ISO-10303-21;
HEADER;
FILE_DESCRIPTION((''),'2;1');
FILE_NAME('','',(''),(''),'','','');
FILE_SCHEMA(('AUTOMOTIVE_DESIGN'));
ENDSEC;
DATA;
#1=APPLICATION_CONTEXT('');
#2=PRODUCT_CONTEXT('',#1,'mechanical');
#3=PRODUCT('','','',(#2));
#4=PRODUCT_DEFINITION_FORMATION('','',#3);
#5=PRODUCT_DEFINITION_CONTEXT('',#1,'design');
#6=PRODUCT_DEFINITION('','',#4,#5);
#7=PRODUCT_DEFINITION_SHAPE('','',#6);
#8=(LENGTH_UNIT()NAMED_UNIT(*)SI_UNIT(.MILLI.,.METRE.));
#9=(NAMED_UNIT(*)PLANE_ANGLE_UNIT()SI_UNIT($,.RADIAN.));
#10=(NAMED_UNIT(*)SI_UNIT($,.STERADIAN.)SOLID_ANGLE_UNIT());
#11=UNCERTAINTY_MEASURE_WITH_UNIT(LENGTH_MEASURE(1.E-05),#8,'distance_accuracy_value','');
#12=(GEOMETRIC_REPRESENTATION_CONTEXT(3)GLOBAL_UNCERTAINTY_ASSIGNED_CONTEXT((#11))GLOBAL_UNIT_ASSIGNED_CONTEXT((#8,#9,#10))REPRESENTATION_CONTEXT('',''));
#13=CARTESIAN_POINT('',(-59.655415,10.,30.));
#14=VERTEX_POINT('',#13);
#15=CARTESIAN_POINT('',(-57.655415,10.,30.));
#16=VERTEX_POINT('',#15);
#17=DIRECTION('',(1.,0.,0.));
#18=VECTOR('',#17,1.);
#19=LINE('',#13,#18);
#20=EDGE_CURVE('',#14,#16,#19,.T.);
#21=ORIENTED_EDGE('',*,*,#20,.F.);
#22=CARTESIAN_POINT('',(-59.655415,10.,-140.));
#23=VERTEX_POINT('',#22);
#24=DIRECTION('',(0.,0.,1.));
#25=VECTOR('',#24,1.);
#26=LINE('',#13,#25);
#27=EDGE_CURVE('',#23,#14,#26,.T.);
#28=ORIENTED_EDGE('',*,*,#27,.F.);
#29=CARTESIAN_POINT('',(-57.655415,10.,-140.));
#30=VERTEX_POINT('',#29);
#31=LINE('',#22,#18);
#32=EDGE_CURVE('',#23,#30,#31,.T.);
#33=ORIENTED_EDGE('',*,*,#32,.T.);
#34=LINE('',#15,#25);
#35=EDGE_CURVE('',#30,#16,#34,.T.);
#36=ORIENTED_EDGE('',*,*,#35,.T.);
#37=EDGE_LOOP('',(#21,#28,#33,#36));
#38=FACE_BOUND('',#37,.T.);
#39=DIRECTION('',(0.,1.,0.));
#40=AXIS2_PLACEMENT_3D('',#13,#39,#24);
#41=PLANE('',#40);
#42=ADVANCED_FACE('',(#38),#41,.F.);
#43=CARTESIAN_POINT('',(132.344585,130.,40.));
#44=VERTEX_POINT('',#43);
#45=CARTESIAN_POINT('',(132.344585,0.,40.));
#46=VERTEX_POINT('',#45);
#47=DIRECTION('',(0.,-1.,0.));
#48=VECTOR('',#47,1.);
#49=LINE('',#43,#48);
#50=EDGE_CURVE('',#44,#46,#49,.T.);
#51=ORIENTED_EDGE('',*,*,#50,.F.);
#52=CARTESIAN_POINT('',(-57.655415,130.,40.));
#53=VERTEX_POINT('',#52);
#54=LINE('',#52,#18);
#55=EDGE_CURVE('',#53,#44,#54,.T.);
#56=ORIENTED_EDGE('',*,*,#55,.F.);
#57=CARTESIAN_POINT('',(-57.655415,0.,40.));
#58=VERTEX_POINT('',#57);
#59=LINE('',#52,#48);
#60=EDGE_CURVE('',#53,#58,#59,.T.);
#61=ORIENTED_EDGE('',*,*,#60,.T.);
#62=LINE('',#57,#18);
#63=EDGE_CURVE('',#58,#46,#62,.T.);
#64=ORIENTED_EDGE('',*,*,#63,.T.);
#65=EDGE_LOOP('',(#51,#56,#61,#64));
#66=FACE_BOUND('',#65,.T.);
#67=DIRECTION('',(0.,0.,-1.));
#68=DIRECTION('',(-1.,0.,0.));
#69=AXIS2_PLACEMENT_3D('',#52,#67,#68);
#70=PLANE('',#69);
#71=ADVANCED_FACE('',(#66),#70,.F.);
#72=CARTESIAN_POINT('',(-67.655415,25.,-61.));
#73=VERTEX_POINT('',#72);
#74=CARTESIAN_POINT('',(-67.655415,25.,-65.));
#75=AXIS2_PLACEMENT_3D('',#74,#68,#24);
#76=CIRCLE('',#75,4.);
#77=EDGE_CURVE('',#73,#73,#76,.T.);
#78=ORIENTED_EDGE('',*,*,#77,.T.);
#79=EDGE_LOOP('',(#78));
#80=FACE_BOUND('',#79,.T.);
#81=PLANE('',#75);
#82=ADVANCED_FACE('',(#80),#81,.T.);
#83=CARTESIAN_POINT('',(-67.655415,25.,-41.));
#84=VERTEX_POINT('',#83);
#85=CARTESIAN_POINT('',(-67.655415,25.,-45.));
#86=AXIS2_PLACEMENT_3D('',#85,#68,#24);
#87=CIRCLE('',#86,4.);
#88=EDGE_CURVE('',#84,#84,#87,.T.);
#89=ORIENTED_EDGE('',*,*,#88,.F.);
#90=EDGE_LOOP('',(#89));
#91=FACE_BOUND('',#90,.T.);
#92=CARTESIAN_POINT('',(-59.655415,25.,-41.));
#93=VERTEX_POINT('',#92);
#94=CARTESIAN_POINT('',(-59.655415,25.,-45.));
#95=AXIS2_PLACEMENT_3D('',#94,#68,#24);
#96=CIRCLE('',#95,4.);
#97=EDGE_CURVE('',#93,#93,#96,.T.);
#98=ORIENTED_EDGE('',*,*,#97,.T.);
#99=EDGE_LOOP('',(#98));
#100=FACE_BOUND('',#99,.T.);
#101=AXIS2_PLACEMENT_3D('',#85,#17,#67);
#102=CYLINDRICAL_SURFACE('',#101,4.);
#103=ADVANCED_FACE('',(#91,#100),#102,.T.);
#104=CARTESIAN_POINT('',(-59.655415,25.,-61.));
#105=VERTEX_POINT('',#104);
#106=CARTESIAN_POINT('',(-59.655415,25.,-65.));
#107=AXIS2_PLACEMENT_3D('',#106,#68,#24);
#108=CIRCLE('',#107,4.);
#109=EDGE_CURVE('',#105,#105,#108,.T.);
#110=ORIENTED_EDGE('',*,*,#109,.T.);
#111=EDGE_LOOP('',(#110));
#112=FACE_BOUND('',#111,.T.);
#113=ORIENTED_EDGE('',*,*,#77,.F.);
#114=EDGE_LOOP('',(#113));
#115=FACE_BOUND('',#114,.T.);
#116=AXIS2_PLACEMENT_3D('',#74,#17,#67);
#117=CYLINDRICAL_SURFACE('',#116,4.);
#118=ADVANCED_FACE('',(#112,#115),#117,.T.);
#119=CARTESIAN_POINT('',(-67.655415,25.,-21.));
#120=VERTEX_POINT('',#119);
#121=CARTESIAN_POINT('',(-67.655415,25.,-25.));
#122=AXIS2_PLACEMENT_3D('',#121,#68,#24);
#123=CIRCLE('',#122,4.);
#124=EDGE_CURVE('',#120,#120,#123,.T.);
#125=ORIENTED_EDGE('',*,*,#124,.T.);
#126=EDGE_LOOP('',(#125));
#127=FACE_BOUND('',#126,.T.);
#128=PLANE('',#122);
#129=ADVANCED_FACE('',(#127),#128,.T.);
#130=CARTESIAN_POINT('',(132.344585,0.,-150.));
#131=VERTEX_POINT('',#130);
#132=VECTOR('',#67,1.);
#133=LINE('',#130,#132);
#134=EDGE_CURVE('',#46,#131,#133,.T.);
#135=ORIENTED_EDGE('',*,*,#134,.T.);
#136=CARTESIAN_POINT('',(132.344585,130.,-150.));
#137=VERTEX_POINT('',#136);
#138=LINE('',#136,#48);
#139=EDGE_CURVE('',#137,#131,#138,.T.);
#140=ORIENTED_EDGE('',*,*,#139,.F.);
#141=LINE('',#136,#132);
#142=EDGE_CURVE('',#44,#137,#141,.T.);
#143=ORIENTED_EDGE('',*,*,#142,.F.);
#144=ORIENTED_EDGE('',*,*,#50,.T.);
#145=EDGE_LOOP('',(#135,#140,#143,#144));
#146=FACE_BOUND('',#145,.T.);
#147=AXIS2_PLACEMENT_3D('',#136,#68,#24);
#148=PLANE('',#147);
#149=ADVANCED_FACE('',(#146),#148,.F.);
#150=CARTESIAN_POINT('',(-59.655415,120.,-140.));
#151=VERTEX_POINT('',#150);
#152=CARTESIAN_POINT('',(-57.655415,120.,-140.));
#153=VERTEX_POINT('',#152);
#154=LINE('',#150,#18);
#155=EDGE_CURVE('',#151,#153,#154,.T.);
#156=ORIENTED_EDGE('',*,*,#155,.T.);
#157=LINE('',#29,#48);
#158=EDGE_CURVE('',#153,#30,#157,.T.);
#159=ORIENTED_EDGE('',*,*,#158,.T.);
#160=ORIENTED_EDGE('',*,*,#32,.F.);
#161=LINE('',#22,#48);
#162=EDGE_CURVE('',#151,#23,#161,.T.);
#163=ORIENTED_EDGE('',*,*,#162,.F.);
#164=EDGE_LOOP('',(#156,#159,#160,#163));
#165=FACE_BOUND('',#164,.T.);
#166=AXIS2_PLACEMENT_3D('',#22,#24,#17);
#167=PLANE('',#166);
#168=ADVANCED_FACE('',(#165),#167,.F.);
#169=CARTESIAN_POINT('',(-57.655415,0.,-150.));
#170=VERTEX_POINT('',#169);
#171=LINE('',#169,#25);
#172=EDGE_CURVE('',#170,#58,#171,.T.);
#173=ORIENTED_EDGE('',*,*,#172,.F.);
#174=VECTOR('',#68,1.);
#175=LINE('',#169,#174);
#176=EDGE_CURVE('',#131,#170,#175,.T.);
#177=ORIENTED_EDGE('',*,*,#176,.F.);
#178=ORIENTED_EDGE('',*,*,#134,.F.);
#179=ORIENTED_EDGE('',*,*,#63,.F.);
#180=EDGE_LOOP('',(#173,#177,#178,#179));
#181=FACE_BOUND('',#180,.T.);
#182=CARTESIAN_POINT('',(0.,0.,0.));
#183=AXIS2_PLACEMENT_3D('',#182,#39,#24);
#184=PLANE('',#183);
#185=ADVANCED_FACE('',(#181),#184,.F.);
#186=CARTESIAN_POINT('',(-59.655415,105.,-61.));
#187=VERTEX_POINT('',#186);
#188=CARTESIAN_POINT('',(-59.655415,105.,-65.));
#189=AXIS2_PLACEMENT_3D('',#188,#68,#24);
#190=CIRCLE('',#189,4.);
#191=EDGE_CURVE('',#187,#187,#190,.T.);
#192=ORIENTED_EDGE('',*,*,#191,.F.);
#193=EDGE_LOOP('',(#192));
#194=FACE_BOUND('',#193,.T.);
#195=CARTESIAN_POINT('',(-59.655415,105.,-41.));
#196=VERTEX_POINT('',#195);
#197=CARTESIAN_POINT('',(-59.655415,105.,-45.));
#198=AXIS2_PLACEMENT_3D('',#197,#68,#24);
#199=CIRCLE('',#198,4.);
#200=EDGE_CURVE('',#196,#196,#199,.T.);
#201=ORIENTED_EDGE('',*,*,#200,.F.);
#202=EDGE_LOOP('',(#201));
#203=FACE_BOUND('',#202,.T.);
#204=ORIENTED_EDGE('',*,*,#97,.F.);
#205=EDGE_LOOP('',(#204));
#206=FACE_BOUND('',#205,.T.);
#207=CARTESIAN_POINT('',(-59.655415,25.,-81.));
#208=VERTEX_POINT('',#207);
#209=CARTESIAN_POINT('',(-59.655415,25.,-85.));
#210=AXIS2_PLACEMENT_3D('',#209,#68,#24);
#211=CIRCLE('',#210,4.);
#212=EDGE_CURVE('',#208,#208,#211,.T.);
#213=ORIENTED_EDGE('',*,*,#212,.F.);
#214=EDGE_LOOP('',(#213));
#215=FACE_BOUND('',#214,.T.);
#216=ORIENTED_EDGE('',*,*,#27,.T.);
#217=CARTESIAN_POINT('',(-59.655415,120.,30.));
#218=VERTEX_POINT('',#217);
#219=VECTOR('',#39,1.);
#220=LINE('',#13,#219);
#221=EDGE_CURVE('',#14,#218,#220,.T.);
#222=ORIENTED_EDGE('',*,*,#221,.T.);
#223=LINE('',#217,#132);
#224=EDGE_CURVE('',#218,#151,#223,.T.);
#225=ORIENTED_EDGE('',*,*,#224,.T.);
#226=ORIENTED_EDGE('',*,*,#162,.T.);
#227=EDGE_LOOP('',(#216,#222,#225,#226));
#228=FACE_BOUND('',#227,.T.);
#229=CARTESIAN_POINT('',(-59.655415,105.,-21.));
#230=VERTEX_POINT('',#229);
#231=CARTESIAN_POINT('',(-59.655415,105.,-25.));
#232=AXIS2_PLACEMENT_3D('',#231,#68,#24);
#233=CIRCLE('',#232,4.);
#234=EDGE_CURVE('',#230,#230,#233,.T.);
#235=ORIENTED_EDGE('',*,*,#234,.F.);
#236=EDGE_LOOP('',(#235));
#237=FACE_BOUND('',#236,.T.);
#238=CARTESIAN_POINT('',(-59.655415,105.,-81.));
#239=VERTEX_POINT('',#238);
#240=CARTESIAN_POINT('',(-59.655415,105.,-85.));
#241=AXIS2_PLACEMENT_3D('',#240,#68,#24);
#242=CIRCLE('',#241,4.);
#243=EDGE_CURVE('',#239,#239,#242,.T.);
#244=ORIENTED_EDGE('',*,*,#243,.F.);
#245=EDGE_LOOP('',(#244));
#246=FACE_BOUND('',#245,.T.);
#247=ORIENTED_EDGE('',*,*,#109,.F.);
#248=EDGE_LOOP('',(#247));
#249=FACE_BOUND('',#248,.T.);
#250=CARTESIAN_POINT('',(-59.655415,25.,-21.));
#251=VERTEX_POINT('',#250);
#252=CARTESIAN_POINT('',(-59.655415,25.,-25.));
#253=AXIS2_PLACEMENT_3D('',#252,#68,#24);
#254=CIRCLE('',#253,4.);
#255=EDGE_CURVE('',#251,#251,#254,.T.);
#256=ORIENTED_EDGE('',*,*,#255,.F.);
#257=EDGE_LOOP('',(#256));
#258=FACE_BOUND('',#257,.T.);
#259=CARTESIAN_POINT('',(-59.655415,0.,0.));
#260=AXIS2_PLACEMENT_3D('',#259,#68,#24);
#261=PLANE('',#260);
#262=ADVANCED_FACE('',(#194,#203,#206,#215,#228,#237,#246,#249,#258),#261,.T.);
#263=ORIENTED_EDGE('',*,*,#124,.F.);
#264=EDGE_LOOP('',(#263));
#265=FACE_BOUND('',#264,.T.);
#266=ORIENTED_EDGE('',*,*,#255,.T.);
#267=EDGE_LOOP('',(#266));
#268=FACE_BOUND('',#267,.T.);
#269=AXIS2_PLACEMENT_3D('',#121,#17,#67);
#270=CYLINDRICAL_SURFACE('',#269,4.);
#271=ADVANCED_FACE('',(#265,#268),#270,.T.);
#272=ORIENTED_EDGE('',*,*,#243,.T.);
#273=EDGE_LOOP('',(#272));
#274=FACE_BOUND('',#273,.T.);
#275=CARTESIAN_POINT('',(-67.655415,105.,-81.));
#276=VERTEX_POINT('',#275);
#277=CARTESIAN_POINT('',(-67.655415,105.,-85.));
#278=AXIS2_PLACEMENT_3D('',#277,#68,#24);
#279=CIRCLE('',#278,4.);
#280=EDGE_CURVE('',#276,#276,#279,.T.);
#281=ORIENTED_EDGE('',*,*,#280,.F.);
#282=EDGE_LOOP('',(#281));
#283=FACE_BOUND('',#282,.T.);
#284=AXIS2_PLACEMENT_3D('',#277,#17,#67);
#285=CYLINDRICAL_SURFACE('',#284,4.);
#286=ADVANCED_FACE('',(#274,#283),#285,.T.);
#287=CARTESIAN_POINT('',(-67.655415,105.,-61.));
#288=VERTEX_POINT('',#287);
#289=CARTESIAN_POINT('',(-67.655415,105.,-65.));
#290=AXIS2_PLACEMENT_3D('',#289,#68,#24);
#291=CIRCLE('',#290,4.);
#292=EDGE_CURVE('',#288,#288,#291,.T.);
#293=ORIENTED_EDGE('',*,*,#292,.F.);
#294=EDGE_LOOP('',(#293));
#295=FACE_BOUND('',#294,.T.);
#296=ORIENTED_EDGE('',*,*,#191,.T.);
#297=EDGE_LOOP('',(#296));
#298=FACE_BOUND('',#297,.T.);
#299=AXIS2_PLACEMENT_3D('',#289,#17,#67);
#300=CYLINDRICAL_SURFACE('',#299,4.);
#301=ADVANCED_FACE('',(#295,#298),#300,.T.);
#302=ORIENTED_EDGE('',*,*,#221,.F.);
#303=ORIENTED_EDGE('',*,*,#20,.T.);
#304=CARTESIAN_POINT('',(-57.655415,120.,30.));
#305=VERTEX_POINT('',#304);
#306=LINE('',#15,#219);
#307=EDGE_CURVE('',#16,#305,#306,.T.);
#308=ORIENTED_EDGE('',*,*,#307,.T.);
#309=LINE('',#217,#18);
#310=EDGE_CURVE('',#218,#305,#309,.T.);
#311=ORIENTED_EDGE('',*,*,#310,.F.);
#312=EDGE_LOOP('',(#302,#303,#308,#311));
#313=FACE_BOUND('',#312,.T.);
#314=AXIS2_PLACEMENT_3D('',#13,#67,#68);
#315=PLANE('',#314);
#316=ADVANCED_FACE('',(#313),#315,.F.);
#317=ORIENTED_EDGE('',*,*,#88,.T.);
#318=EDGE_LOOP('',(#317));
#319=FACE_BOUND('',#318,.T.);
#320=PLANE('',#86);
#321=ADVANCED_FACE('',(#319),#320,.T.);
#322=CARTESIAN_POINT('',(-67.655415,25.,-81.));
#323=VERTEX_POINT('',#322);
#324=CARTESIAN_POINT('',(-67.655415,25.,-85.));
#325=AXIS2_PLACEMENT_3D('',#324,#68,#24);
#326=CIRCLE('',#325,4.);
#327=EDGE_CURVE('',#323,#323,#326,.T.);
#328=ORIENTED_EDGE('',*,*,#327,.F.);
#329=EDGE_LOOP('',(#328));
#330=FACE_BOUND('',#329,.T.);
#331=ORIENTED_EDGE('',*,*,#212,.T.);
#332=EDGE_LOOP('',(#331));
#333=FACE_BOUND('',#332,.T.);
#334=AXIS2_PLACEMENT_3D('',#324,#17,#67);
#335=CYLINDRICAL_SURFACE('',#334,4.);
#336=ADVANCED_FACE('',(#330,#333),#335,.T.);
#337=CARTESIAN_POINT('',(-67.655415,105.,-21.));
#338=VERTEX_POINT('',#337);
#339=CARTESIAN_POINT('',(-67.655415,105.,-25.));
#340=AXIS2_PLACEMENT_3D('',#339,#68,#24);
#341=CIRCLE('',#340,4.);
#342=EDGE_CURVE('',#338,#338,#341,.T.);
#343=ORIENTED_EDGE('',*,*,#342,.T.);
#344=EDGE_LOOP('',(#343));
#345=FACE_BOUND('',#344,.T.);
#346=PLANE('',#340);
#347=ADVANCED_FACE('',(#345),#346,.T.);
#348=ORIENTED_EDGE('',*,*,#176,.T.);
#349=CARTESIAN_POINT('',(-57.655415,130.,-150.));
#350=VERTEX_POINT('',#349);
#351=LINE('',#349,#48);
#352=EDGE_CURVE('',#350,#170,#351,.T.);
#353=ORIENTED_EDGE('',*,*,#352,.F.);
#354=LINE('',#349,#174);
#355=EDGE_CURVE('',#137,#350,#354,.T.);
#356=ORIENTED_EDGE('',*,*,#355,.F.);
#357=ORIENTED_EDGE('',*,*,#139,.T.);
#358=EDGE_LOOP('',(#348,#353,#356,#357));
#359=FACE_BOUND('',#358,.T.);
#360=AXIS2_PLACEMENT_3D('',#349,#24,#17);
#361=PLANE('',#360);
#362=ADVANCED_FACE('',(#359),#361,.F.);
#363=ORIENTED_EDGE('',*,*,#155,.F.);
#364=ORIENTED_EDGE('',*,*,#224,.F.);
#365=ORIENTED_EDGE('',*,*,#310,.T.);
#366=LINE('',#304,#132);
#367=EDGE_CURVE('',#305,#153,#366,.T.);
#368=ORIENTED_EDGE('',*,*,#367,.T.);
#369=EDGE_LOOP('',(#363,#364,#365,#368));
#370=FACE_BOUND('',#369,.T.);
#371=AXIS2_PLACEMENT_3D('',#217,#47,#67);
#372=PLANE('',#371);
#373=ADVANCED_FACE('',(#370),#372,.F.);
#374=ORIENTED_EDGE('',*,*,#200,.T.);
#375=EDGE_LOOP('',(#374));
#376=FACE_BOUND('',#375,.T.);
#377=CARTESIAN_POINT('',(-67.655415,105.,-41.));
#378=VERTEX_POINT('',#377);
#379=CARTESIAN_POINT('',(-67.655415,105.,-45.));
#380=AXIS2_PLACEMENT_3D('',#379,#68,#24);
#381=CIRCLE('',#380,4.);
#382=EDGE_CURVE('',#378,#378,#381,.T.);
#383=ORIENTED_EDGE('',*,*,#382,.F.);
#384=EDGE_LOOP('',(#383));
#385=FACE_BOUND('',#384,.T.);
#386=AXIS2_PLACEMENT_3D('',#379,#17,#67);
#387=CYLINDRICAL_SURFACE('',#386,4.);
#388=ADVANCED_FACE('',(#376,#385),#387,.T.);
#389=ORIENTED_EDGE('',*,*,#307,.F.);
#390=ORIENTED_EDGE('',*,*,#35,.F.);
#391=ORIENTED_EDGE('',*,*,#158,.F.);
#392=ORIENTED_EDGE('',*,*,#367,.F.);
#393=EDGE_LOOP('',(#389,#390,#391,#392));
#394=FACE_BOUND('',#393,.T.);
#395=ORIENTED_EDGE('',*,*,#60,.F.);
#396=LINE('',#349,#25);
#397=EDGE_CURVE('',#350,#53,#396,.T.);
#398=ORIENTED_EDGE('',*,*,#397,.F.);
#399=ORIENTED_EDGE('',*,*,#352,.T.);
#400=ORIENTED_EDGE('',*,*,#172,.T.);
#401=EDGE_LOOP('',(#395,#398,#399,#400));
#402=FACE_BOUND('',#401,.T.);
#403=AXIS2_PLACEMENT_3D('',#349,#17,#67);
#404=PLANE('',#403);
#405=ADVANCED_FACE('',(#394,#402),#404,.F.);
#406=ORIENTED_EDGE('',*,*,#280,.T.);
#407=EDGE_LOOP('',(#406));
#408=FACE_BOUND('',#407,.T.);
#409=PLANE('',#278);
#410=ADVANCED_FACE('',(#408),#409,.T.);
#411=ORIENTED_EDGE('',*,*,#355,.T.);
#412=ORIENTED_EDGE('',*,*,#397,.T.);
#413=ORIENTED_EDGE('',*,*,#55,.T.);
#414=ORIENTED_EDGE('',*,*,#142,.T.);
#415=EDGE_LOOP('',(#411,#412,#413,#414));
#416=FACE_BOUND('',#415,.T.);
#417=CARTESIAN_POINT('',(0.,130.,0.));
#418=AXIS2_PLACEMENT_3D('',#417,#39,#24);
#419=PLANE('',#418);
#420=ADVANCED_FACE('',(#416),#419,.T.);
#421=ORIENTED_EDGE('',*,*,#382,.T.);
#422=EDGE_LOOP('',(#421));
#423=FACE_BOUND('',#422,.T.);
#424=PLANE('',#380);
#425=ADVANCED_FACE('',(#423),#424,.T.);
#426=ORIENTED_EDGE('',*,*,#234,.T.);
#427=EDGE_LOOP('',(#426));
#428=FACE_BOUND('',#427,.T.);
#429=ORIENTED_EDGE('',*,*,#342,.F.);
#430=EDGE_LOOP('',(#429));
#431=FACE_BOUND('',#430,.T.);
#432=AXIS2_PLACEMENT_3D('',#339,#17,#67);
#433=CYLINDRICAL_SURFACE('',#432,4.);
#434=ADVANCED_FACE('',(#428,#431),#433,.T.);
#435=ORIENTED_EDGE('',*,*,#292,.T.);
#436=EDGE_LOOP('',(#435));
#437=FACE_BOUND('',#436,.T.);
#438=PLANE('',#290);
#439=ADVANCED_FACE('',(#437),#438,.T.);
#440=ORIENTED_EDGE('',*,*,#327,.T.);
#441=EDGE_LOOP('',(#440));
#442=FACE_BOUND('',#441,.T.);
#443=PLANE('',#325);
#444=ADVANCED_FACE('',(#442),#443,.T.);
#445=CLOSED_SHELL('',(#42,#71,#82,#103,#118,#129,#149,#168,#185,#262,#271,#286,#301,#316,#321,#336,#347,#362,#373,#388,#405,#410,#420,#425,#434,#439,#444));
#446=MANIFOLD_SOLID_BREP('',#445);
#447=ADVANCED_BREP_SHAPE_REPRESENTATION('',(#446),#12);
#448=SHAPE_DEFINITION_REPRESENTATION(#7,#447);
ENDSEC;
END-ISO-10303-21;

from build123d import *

# Parameters (mm, degrees)
SKETCH2_W           = 190
SKETCH2_H           = 190
BOSS_EXTRUDE1_DEPTH = 130
SKETCH3_W           = 170
SKETCH3_H           = 110
BOSS_EXTRUDE2_DEPTH = 2
SKETCH4_R           = 4
BOSS_EXTRUDE3_DEPTH = 8


with BuildPart() as part:
    # Sketch2 → Boss-Extrude1 (new body)
    with BuildSketch(Plane(origin=(0, 0, 0), x_dir=(1, 0, 0), z_dir=(0, 1, 0))):
        with Locations((37.344584985, 55)):
            Rectangle(SKETCH2_W, SKETCH2_H)
    extrude(amount=BOSS_EXTRUDE1_DEPTH)

    # Sketch3 → Boss-Extrude2 (add)
    with BuildSketch(Plane.ZY.offset(57.655415015)):
        with Locations((-55, 65)):
            Rectangle(SKETCH3_W, SKETCH3_H)
    extrude(amount=BOSS_EXTRUDE2_DEPTH)

    # Sketch4 → Boss-Extrude3 (add)
    with BuildSketch(Plane.ZY.offset(59.655415015)):
        with Locations((-25, 25)):
            Circle(SKETCH4_R)
        with Locations((-45, 25)):
            Circle(SKETCH4_R)
        with Locations((-25, 105)):
            Circle(SKETCH4_R)
        with Locations((-65, 25)):
            Circle(SKETCH4_R)
        with Locations((-85, 25)):
            Circle(SKETCH4_R)
        with Locations((-45, 105)):
            Circle(SKETCH4_R)
        with Locations((-65, 105)):
            Circle(SKETCH4_R)
        with Locations((-85, 105)):
            Circle(SKETCH4_R)
    extrude(amount=BOSS_EXTRUDE3_DEPTH)


solid = part.part
